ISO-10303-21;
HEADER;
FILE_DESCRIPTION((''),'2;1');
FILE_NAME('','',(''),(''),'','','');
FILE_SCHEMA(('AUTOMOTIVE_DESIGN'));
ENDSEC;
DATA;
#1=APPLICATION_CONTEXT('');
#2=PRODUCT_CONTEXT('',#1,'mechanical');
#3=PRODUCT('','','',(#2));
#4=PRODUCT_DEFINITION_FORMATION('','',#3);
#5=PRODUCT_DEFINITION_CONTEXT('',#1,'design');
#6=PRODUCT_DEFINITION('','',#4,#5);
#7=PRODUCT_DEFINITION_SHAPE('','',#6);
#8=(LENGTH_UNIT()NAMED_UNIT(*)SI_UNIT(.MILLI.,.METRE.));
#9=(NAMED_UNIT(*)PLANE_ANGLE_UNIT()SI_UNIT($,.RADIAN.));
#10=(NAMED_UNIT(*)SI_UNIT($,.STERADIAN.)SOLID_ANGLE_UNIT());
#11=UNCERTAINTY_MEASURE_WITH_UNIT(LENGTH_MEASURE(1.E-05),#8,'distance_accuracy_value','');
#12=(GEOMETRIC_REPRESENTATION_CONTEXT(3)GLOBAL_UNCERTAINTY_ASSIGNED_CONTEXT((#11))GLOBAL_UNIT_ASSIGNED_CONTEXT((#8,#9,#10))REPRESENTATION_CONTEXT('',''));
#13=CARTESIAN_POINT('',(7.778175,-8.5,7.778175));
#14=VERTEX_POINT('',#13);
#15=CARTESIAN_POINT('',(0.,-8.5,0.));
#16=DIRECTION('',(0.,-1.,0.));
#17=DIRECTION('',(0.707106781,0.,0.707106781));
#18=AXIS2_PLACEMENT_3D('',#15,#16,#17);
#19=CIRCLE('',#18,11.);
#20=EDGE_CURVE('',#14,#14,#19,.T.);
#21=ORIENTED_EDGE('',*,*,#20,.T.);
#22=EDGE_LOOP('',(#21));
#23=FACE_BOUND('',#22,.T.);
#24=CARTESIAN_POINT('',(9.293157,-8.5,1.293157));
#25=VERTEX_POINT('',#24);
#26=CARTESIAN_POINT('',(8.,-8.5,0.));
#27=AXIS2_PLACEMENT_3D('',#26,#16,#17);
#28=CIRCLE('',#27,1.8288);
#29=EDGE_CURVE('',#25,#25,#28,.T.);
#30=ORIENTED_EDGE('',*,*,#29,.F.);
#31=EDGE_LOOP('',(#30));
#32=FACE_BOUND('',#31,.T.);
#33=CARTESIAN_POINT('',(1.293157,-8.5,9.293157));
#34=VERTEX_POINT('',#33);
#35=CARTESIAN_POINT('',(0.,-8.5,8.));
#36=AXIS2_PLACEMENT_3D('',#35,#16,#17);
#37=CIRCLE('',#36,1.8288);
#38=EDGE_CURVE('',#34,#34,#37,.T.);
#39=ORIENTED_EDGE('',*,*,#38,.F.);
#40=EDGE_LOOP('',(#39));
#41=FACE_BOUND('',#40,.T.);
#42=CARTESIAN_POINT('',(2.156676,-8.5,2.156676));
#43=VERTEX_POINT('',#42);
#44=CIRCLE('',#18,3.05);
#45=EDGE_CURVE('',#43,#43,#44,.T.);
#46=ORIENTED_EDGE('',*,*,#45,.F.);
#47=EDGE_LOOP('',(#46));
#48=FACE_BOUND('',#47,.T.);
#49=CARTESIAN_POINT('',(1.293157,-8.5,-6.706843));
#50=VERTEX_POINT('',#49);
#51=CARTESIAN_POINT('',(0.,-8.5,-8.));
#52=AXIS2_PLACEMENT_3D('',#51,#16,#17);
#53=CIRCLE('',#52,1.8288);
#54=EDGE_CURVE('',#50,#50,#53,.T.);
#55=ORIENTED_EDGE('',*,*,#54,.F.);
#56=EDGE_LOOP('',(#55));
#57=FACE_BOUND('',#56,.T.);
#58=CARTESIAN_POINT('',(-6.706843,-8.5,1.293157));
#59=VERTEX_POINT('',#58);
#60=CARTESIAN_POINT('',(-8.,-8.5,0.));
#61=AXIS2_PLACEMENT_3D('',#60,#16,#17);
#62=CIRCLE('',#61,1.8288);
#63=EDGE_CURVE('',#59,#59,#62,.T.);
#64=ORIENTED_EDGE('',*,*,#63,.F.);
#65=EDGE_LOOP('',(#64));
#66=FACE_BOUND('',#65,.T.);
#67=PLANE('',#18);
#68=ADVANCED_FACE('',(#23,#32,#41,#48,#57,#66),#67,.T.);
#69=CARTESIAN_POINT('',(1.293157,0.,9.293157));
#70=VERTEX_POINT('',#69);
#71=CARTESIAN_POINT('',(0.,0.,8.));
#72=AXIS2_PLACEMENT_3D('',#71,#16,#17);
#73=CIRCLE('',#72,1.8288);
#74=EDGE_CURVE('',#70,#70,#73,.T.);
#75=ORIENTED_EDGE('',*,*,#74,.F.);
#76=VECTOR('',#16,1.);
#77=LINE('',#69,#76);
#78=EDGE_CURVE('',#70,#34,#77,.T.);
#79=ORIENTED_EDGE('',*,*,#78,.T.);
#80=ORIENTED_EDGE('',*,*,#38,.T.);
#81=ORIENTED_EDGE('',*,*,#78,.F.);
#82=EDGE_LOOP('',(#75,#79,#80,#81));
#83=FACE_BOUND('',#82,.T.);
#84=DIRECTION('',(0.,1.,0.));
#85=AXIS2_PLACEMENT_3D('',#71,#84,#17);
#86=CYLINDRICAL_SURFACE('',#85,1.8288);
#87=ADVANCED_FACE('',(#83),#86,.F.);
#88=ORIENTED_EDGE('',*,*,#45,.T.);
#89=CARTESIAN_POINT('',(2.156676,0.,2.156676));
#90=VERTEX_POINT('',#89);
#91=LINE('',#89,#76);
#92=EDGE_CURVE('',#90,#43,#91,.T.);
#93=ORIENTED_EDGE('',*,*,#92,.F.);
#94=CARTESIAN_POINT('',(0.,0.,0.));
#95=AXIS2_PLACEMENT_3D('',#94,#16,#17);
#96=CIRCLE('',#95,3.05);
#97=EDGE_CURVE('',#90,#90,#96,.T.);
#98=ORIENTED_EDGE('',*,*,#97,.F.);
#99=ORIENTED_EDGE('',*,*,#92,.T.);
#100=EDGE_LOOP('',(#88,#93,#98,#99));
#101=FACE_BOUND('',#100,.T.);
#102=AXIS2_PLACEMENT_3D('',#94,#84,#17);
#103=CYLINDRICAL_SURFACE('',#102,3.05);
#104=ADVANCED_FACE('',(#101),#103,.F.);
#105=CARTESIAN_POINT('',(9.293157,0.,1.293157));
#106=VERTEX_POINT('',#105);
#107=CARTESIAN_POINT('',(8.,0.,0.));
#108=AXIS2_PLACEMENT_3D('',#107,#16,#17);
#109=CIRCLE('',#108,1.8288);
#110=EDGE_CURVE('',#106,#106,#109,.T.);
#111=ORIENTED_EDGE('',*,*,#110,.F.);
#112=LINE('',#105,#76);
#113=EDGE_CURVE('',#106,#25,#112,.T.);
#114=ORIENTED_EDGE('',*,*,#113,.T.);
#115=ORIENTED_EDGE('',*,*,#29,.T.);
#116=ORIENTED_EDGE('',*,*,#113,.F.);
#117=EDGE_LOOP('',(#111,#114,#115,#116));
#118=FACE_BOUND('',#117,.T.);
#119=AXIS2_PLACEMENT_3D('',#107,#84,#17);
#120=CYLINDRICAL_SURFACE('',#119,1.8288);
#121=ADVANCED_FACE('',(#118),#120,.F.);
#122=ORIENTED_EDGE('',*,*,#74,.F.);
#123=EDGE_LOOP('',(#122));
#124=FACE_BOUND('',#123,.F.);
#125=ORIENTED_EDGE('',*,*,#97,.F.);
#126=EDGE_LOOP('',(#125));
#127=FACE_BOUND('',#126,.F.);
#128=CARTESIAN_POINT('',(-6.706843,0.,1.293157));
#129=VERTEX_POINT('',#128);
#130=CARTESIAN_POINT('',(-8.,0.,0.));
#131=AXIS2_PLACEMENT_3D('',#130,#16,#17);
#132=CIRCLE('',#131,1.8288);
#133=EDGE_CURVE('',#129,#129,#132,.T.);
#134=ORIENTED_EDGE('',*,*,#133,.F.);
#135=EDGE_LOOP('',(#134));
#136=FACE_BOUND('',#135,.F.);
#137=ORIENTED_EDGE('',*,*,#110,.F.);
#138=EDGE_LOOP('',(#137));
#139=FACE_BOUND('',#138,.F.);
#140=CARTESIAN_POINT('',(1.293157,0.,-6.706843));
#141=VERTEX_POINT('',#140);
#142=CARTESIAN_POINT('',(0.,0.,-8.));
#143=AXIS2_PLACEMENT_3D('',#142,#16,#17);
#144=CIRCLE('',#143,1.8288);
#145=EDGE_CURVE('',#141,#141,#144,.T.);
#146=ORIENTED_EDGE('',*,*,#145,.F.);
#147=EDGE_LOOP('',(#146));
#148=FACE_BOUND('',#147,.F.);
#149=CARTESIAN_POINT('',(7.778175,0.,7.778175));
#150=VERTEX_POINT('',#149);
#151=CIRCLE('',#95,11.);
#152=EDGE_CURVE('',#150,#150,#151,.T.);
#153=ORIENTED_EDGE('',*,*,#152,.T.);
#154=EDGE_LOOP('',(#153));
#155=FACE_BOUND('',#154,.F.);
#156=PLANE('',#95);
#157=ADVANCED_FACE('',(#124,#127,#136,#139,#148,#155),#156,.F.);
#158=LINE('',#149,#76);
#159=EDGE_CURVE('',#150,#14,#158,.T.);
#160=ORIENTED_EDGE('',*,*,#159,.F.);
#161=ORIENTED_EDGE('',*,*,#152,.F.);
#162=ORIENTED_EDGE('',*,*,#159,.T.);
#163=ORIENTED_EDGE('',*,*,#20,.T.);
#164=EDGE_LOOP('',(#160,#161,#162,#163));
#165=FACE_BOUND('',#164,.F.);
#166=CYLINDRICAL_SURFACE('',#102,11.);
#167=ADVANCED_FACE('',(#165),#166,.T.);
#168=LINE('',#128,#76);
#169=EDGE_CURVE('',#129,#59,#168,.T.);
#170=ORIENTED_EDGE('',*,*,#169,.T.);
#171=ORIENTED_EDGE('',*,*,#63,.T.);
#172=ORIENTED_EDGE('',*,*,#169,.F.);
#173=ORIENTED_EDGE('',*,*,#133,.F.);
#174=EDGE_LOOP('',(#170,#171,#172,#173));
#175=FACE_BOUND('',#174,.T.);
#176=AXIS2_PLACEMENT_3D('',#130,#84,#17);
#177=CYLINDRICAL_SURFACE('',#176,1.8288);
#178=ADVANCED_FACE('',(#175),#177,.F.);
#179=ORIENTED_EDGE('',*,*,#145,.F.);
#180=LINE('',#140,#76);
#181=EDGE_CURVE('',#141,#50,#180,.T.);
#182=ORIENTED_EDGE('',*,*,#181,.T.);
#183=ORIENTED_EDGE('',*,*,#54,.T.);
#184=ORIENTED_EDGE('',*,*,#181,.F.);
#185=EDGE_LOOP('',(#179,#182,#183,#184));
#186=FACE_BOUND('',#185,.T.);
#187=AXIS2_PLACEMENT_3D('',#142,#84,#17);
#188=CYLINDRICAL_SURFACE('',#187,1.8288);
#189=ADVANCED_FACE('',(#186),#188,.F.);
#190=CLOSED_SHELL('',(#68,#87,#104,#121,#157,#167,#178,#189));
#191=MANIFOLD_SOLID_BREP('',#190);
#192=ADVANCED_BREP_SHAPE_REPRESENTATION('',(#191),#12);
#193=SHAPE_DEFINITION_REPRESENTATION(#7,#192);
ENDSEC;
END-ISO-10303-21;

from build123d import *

# Parameters (mm, degrees)
F0_R     = 11
F0_R_2   = 1.8288
F0_R_3   = 3.05
F1_DEPTH = 8.5
F2_ANGLE = 45


with BuildPart() as f1:
    # F0 (on Front) → F1 (new body)
    with BuildSketch(Plane.XZ):
        Circle(F0_R)
        with Locations((-5.656854, -5.656854)):
            Circle(F0_R_2, mode=Mode.SUBTRACT)
        with Locations((5.656854, -5.656854)):
            Circle(F0_R_2, mode=Mode.SUBTRACT)
        with Locations((-5.656854, 5.656854)):
            Circle(F0_R_2, mode=Mode.SUBTRACT)
        Circle(F0_R_3, mode=Mode.SUBTRACT)
        with Locations((5.656854, 5.656854)):
            Circle(F0_R_2, mode=Mode.SUBTRACT)
    extrude(amount=F1_DEPTH)


with BuildPart() as f1_1:
    # F2: moved
    add(f1.part.rotate(Axis((0, 0, 0), (0, -1, 0)), F2_ANGLE))


solid = f1_1.part
